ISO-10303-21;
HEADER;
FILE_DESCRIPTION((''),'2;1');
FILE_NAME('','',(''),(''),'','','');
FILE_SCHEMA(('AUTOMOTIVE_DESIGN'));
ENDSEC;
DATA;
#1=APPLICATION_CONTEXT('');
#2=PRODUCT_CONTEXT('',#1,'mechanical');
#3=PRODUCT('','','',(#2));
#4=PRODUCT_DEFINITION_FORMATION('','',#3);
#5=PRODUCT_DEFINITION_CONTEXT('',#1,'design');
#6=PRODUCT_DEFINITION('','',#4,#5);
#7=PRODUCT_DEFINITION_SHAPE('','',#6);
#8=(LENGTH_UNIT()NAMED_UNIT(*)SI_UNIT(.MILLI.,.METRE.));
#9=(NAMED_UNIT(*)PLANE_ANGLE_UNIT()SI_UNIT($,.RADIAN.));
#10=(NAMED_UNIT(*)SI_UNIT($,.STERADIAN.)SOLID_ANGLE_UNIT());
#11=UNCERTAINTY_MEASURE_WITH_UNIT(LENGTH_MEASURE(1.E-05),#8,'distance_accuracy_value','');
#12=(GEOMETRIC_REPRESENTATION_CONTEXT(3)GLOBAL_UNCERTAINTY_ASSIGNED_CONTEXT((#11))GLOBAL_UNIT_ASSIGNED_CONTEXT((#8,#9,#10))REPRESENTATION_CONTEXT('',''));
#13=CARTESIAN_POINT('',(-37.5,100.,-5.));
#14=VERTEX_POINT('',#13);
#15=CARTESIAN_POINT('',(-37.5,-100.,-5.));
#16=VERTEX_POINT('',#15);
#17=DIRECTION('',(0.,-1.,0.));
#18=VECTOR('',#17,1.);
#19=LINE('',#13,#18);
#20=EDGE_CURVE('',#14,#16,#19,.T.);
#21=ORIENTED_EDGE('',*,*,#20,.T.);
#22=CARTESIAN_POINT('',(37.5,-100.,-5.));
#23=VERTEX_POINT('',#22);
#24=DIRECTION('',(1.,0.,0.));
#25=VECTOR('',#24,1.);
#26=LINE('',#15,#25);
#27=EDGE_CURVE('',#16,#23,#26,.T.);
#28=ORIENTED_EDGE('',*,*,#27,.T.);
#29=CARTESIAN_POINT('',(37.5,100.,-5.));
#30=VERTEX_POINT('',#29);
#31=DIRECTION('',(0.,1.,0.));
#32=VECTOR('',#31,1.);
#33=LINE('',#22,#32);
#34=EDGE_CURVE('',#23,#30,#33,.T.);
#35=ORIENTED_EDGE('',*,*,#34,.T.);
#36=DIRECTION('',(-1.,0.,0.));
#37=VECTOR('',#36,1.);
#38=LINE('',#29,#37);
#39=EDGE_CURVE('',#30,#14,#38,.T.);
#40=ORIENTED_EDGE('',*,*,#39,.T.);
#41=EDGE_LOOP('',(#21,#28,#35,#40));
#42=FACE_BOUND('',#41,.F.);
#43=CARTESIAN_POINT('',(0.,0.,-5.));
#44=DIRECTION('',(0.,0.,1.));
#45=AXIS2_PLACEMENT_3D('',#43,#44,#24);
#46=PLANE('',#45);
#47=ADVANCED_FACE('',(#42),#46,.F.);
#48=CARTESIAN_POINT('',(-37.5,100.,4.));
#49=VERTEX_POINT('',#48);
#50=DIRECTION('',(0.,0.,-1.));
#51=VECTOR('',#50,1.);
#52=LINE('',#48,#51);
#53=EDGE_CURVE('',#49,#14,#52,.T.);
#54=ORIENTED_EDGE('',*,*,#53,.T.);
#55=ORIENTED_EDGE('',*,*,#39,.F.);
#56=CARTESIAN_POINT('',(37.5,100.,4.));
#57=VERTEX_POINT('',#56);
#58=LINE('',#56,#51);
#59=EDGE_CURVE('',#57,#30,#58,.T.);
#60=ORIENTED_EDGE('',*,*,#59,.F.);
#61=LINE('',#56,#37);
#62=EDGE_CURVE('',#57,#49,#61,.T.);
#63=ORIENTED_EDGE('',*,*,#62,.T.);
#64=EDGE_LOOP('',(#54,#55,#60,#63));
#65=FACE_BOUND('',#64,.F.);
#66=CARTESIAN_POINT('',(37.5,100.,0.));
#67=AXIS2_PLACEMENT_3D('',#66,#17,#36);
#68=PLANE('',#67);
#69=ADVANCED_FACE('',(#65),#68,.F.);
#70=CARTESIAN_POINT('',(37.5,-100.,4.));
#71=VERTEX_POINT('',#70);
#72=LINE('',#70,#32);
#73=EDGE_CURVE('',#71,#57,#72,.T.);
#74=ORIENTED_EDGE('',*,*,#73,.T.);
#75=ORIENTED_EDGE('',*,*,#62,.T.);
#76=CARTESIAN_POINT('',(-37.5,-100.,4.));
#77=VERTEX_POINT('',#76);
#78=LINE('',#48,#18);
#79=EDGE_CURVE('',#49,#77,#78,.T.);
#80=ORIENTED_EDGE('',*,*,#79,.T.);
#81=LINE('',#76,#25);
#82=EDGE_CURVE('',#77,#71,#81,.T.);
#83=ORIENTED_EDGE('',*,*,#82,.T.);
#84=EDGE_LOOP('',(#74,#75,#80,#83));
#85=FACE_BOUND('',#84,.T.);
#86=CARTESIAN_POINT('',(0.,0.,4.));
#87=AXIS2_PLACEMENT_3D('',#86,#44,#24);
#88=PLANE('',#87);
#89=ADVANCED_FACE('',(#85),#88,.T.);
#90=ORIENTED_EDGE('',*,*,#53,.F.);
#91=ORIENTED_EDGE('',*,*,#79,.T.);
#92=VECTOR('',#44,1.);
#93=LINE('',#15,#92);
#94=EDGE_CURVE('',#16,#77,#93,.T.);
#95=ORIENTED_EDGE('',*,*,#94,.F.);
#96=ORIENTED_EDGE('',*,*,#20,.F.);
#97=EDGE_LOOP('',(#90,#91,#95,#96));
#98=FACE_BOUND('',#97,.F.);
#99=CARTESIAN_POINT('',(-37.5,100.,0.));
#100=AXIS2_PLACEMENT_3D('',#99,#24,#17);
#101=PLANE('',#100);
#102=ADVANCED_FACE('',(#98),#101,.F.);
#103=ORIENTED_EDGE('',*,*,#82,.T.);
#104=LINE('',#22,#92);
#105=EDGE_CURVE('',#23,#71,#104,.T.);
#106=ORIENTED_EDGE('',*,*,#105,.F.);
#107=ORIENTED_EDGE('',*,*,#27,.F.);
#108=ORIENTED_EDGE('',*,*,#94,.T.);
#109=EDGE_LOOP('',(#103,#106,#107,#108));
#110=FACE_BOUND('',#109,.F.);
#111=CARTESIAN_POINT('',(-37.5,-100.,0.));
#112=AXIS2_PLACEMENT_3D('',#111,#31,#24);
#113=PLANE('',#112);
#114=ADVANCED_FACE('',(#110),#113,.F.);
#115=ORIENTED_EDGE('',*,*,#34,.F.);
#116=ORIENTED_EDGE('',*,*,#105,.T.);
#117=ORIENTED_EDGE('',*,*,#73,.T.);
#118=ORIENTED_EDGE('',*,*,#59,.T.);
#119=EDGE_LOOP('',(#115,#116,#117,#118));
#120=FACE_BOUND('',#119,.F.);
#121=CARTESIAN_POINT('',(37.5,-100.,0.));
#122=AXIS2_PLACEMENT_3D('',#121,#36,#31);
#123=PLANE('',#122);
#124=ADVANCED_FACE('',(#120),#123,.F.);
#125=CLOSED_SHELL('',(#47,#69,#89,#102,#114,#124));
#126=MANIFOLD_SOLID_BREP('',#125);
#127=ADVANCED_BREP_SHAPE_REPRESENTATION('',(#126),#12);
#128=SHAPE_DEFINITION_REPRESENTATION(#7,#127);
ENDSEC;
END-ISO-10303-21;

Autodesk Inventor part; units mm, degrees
sketch "Эскиз1" plane through (0, 0, 0) normal (0, 0, 1) x (1, 0, 0)
  line L0 (-37.5, -100) -> (37.5, -100)
  line L1 (37.5, -100) -> (37.5, 100)
  line L2 (37.5, 100) -> (-37.5, 100)
  line L3 (-37.5, 100) -> (-37.5, -100)
  line L4 (-37.5, -100) -> (37.5, 100) construction
  line L5 (37.5, -100) -> (-37.5, 100) construction
  point P0 (0, 0)
  dimension "d0" = 75
  dimension "d1" = 200
extrude "Выдавливание1" add sketch "Эскиз1" along normal blind 4 and the other way blind 5
properties part number "Задняя_крышка"
